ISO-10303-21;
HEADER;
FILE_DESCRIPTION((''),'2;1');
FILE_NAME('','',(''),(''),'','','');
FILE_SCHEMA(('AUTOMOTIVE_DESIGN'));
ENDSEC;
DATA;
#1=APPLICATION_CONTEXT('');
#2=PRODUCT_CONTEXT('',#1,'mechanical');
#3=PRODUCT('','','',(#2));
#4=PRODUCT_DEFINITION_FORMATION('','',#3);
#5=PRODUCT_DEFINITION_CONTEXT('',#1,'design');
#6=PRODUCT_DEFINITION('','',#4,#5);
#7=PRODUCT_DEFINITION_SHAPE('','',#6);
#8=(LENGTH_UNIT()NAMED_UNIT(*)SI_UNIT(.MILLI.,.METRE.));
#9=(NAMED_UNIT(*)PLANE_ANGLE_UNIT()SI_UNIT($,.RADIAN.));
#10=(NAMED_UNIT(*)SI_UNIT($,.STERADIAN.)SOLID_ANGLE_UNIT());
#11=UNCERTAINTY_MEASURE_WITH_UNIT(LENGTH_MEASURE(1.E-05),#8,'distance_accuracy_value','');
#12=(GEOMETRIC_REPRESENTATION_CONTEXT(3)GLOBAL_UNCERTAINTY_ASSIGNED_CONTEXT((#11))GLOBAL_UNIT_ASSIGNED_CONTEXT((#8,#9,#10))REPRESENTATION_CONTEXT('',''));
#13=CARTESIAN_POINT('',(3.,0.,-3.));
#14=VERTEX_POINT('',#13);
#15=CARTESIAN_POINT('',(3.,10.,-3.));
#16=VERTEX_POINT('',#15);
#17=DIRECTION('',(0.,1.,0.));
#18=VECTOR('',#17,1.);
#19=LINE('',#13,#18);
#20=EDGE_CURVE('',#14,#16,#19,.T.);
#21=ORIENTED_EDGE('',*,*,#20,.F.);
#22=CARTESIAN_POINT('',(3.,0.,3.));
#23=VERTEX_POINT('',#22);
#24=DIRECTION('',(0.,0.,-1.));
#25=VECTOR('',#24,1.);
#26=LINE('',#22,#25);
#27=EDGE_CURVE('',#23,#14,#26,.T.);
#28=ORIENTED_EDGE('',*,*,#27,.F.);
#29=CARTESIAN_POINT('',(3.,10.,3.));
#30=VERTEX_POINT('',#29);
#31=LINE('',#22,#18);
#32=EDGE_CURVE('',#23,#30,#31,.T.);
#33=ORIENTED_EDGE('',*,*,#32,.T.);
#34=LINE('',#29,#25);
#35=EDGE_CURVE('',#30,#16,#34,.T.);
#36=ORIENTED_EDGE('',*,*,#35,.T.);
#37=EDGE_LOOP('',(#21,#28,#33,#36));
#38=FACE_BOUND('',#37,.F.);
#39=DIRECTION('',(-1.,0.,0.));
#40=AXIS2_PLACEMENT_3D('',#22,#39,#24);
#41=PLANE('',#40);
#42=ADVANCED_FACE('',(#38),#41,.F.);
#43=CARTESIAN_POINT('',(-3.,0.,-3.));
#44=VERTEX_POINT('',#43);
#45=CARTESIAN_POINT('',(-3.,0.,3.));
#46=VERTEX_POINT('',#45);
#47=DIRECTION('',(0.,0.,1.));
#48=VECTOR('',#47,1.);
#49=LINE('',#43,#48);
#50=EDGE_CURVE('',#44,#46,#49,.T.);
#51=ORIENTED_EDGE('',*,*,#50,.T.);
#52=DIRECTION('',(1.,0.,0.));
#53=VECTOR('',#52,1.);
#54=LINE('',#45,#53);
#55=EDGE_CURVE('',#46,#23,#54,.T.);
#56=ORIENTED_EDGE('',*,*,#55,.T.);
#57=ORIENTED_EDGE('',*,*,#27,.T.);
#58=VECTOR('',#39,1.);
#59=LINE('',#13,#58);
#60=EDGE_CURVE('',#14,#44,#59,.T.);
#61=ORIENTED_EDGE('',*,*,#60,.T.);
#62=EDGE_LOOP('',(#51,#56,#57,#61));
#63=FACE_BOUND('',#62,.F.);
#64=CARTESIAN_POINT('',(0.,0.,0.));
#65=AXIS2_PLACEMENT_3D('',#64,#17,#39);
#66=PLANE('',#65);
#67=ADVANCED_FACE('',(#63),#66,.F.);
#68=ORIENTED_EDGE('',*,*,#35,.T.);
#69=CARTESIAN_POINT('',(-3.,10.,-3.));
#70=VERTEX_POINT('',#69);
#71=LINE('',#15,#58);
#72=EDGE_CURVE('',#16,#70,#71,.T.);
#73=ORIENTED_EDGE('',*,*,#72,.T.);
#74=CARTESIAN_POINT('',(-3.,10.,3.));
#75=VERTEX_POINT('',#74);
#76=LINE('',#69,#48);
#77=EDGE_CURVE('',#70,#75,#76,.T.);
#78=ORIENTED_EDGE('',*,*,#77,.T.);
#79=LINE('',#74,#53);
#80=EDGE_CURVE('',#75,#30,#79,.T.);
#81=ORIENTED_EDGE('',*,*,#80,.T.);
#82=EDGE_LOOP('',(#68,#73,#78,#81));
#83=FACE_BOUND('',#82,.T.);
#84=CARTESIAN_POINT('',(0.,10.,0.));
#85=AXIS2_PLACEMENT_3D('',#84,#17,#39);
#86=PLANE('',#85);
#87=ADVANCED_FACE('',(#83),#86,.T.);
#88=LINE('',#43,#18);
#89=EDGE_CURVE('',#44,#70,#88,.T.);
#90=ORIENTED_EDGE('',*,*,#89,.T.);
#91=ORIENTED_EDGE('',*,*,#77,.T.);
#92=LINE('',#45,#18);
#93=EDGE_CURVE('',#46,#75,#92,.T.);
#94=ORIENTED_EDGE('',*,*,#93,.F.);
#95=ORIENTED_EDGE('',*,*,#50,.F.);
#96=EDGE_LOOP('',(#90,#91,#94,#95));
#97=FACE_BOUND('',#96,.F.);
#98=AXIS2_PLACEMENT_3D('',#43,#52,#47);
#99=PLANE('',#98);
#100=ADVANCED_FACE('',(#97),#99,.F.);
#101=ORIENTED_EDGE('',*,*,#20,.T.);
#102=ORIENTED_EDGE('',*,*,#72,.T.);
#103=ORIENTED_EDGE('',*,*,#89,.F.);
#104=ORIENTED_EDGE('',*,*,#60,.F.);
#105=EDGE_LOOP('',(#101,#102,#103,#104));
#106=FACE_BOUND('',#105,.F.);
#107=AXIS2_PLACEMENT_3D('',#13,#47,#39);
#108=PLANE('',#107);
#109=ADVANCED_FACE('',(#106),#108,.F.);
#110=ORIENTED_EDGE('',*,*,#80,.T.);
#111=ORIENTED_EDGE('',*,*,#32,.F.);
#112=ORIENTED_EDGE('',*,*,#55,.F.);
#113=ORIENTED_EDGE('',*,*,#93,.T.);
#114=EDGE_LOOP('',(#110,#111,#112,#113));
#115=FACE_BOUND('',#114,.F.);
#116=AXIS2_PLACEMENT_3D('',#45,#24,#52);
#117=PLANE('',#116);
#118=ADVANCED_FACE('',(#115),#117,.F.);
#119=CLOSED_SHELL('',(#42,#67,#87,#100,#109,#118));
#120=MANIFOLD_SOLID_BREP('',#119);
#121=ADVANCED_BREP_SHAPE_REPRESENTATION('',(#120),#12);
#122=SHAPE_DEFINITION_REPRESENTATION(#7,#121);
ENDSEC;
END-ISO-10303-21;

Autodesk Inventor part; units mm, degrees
ref_plane "YZ Plane" through (0, 0, 0) normal (1, 0, 0) x (0, 1, 0)
ref_plane "XZ Plane" through (0, 0, 0) normal (0, 1, 0) x (-1, 0, 0)
ref_plane "XY Plane" through (0, 0, 0) normal (0, 0, 1) x (1, 0, 0)
sketch "Sketch1" plane through (0, 0, 0) normal (0, 1, 0) x (-1, 0, 0)
  line L0 (3, 3) -> (-3, 3)
  line L1 (-3, 3) -> (-3, -3)
  line L2 (-3, -3) -> (3, -3)
  line L3 (3, -3) -> (3, 3)
  point P0 (0, 0)
  dimension "d0" = 6
  dimension "d1" = 6
  dimension "d2" = 3
  dimension "d3" = 3
extrude "Extrusion1" add sketch "Sketch1" along normal blind 10
equation "\"d2\" = 0.5 * d1"
equation "\"d3\" = 0.5 * d0"
properties part number "connection"
